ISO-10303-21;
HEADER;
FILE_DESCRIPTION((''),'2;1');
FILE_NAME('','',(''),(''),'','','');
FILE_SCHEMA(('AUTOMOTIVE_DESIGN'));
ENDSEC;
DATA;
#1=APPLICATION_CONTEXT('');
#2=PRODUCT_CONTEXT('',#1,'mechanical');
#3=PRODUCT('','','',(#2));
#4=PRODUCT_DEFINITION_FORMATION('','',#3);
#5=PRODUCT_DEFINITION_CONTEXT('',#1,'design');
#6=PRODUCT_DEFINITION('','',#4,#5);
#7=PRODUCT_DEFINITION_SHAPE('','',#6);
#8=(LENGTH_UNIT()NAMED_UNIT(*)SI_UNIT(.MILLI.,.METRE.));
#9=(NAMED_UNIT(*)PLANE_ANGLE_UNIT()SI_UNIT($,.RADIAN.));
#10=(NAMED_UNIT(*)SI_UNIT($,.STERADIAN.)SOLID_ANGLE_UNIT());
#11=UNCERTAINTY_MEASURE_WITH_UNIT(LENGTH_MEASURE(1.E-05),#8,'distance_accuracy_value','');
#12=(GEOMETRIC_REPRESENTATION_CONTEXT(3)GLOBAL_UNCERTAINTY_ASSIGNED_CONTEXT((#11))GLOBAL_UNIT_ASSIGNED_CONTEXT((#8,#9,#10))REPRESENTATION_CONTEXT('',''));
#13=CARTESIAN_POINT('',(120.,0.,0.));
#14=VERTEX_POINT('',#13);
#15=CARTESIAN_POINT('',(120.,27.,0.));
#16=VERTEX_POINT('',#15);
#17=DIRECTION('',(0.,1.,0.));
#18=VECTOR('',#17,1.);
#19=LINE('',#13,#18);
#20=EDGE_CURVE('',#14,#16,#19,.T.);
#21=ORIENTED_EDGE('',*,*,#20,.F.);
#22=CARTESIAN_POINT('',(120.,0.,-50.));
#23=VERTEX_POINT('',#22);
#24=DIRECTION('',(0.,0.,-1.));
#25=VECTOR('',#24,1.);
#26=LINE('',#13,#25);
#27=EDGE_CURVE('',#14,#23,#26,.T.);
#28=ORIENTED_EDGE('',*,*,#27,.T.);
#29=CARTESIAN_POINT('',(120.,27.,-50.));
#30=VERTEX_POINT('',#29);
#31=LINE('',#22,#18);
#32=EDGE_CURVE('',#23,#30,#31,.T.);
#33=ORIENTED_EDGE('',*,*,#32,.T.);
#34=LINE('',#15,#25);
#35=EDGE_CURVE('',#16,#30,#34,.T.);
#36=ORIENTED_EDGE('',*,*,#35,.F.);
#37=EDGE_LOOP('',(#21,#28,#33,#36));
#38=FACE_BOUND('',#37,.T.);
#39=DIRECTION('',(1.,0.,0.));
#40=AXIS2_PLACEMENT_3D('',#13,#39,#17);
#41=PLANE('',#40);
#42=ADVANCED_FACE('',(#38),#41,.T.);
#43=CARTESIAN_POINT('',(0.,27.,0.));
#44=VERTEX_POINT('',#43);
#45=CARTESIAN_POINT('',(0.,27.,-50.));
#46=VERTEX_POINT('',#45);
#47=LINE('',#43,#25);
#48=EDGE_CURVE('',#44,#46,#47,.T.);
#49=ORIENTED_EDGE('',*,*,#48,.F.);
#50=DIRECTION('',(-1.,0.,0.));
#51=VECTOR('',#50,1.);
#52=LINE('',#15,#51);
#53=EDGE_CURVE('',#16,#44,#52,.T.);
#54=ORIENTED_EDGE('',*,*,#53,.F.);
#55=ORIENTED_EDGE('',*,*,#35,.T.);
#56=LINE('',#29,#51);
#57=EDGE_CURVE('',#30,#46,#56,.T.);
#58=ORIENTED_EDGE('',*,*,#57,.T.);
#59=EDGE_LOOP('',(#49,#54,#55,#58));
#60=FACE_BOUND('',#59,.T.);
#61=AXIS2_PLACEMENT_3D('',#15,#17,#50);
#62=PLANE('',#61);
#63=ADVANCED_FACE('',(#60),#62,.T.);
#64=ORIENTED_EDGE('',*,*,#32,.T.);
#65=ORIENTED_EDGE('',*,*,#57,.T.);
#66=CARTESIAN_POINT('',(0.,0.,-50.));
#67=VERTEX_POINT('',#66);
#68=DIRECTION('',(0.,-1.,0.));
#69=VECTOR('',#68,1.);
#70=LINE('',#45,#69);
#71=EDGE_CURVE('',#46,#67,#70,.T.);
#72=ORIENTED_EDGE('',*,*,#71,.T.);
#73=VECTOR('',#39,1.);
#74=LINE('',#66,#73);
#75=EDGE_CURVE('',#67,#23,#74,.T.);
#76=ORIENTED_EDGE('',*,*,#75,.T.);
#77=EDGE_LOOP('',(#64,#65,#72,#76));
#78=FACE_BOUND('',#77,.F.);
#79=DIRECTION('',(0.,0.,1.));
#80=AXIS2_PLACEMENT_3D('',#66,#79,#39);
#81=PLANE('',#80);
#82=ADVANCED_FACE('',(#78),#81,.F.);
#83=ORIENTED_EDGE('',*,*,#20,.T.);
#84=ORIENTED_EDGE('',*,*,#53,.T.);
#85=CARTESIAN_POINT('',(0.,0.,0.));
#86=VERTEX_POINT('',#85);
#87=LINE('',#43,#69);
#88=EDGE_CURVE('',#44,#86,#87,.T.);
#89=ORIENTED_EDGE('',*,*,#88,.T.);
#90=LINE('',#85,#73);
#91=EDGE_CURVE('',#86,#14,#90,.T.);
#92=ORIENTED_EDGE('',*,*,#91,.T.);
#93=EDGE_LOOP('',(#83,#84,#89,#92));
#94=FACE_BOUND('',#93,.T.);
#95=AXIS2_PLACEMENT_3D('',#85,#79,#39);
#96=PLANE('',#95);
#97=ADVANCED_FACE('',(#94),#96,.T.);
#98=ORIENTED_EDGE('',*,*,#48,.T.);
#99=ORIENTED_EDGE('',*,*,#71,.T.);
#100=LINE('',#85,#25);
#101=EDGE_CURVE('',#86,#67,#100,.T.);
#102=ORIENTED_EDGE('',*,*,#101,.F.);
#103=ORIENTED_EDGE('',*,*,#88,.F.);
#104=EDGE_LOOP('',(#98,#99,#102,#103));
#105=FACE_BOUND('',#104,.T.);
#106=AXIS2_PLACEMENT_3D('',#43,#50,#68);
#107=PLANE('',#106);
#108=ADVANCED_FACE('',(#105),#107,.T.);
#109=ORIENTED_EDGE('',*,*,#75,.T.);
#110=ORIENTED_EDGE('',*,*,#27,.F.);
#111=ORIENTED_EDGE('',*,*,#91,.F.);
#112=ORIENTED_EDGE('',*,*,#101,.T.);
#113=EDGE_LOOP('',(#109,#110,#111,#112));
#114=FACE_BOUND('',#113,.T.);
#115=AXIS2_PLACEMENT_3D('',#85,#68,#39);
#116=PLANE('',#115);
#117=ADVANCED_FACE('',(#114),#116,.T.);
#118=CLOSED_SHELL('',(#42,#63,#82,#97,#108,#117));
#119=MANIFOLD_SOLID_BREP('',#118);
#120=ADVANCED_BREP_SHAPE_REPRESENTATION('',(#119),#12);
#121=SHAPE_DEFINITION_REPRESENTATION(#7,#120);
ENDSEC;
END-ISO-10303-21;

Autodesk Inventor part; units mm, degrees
ref_plane "YZ Plane" through (0, 0, 0) normal (1, 0, 0) x (0, 1, 0)
ref_plane "XZ Plane" through (0, 0, 0) normal (0, 1, 0) x (-1, 0, 0)
ref_plane "XY Plane" through (0, 0, 0) normal (0, 0, 1) x (1, 0, 0)
sketch "Sketch1" plane through (0, 0, 0) normal (0, 0, 1) x (1, 0, 0)
  line L0 (0, 0) -> (120, 0)
  line L1 (120, 0) -> (120, 27)
  line L2 (120, 27) -> (0, 27)
  line L3 (0, 27) -> (0, 0)
  dimension "d0" = 120
  dimension "d1" = 27
extrude "Extrusion1" add sketch "Sketch1" against normal blind 50
properties part number "battery"
